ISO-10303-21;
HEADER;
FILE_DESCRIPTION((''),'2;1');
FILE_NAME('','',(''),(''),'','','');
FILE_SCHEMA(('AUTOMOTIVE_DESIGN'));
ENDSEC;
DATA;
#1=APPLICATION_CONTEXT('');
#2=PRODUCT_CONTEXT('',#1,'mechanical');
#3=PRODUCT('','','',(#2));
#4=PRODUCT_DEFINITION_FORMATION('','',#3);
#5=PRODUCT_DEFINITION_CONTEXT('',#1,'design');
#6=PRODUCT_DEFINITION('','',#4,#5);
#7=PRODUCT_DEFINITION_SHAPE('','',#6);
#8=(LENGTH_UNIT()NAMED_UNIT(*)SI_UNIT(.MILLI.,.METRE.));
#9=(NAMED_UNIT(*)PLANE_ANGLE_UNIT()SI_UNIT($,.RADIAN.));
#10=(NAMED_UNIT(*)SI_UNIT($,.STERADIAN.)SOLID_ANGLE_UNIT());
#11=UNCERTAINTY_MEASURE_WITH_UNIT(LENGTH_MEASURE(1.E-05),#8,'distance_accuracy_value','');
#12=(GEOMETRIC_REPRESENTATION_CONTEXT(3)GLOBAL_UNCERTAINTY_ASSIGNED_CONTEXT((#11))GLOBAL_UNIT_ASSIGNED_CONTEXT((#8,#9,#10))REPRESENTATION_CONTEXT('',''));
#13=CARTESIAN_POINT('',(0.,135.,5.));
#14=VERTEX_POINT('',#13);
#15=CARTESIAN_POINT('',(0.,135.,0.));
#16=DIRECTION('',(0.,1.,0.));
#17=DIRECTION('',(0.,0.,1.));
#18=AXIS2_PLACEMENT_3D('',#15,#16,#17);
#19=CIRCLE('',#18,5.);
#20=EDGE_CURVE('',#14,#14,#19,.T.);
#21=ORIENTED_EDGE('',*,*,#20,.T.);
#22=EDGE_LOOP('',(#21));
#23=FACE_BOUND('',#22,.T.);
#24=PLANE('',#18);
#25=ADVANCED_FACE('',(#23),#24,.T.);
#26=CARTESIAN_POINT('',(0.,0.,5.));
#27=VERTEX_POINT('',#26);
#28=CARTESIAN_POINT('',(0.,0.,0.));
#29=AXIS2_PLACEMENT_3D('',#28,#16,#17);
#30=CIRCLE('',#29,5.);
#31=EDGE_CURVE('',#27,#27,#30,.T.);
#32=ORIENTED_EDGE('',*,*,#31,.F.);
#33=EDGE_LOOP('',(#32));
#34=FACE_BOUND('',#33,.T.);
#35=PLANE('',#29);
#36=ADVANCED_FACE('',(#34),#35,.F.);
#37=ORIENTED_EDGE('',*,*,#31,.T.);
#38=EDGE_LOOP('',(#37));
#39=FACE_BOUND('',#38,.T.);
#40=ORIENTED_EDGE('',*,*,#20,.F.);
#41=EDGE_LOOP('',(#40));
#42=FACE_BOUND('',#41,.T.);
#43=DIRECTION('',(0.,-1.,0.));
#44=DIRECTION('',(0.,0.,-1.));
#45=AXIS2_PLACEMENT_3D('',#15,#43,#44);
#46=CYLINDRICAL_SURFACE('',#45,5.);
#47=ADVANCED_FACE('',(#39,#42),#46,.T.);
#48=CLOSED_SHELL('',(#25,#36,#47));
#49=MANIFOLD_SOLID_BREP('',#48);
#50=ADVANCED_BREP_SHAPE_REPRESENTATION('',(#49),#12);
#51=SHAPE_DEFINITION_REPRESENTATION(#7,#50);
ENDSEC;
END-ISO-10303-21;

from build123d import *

# Parameters (mm, degrees)
ESBO_O1_R                = 5
RESSALTO_EXTRUS_O1_DEPTH = 135


with BuildPart() as part:
    # Esboço1 → Ressalto-extrusão1 (new body)
    with BuildSketch(Plane(origin=(0, 0, 0), x_dir=(1, 0, 0), z_dir=(0, 1, 0))):
        Circle(ESBO_O1_R)
    extrude(amount=RESSALTO_EXTRUS_O1_DEPTH)


solid = part.part
